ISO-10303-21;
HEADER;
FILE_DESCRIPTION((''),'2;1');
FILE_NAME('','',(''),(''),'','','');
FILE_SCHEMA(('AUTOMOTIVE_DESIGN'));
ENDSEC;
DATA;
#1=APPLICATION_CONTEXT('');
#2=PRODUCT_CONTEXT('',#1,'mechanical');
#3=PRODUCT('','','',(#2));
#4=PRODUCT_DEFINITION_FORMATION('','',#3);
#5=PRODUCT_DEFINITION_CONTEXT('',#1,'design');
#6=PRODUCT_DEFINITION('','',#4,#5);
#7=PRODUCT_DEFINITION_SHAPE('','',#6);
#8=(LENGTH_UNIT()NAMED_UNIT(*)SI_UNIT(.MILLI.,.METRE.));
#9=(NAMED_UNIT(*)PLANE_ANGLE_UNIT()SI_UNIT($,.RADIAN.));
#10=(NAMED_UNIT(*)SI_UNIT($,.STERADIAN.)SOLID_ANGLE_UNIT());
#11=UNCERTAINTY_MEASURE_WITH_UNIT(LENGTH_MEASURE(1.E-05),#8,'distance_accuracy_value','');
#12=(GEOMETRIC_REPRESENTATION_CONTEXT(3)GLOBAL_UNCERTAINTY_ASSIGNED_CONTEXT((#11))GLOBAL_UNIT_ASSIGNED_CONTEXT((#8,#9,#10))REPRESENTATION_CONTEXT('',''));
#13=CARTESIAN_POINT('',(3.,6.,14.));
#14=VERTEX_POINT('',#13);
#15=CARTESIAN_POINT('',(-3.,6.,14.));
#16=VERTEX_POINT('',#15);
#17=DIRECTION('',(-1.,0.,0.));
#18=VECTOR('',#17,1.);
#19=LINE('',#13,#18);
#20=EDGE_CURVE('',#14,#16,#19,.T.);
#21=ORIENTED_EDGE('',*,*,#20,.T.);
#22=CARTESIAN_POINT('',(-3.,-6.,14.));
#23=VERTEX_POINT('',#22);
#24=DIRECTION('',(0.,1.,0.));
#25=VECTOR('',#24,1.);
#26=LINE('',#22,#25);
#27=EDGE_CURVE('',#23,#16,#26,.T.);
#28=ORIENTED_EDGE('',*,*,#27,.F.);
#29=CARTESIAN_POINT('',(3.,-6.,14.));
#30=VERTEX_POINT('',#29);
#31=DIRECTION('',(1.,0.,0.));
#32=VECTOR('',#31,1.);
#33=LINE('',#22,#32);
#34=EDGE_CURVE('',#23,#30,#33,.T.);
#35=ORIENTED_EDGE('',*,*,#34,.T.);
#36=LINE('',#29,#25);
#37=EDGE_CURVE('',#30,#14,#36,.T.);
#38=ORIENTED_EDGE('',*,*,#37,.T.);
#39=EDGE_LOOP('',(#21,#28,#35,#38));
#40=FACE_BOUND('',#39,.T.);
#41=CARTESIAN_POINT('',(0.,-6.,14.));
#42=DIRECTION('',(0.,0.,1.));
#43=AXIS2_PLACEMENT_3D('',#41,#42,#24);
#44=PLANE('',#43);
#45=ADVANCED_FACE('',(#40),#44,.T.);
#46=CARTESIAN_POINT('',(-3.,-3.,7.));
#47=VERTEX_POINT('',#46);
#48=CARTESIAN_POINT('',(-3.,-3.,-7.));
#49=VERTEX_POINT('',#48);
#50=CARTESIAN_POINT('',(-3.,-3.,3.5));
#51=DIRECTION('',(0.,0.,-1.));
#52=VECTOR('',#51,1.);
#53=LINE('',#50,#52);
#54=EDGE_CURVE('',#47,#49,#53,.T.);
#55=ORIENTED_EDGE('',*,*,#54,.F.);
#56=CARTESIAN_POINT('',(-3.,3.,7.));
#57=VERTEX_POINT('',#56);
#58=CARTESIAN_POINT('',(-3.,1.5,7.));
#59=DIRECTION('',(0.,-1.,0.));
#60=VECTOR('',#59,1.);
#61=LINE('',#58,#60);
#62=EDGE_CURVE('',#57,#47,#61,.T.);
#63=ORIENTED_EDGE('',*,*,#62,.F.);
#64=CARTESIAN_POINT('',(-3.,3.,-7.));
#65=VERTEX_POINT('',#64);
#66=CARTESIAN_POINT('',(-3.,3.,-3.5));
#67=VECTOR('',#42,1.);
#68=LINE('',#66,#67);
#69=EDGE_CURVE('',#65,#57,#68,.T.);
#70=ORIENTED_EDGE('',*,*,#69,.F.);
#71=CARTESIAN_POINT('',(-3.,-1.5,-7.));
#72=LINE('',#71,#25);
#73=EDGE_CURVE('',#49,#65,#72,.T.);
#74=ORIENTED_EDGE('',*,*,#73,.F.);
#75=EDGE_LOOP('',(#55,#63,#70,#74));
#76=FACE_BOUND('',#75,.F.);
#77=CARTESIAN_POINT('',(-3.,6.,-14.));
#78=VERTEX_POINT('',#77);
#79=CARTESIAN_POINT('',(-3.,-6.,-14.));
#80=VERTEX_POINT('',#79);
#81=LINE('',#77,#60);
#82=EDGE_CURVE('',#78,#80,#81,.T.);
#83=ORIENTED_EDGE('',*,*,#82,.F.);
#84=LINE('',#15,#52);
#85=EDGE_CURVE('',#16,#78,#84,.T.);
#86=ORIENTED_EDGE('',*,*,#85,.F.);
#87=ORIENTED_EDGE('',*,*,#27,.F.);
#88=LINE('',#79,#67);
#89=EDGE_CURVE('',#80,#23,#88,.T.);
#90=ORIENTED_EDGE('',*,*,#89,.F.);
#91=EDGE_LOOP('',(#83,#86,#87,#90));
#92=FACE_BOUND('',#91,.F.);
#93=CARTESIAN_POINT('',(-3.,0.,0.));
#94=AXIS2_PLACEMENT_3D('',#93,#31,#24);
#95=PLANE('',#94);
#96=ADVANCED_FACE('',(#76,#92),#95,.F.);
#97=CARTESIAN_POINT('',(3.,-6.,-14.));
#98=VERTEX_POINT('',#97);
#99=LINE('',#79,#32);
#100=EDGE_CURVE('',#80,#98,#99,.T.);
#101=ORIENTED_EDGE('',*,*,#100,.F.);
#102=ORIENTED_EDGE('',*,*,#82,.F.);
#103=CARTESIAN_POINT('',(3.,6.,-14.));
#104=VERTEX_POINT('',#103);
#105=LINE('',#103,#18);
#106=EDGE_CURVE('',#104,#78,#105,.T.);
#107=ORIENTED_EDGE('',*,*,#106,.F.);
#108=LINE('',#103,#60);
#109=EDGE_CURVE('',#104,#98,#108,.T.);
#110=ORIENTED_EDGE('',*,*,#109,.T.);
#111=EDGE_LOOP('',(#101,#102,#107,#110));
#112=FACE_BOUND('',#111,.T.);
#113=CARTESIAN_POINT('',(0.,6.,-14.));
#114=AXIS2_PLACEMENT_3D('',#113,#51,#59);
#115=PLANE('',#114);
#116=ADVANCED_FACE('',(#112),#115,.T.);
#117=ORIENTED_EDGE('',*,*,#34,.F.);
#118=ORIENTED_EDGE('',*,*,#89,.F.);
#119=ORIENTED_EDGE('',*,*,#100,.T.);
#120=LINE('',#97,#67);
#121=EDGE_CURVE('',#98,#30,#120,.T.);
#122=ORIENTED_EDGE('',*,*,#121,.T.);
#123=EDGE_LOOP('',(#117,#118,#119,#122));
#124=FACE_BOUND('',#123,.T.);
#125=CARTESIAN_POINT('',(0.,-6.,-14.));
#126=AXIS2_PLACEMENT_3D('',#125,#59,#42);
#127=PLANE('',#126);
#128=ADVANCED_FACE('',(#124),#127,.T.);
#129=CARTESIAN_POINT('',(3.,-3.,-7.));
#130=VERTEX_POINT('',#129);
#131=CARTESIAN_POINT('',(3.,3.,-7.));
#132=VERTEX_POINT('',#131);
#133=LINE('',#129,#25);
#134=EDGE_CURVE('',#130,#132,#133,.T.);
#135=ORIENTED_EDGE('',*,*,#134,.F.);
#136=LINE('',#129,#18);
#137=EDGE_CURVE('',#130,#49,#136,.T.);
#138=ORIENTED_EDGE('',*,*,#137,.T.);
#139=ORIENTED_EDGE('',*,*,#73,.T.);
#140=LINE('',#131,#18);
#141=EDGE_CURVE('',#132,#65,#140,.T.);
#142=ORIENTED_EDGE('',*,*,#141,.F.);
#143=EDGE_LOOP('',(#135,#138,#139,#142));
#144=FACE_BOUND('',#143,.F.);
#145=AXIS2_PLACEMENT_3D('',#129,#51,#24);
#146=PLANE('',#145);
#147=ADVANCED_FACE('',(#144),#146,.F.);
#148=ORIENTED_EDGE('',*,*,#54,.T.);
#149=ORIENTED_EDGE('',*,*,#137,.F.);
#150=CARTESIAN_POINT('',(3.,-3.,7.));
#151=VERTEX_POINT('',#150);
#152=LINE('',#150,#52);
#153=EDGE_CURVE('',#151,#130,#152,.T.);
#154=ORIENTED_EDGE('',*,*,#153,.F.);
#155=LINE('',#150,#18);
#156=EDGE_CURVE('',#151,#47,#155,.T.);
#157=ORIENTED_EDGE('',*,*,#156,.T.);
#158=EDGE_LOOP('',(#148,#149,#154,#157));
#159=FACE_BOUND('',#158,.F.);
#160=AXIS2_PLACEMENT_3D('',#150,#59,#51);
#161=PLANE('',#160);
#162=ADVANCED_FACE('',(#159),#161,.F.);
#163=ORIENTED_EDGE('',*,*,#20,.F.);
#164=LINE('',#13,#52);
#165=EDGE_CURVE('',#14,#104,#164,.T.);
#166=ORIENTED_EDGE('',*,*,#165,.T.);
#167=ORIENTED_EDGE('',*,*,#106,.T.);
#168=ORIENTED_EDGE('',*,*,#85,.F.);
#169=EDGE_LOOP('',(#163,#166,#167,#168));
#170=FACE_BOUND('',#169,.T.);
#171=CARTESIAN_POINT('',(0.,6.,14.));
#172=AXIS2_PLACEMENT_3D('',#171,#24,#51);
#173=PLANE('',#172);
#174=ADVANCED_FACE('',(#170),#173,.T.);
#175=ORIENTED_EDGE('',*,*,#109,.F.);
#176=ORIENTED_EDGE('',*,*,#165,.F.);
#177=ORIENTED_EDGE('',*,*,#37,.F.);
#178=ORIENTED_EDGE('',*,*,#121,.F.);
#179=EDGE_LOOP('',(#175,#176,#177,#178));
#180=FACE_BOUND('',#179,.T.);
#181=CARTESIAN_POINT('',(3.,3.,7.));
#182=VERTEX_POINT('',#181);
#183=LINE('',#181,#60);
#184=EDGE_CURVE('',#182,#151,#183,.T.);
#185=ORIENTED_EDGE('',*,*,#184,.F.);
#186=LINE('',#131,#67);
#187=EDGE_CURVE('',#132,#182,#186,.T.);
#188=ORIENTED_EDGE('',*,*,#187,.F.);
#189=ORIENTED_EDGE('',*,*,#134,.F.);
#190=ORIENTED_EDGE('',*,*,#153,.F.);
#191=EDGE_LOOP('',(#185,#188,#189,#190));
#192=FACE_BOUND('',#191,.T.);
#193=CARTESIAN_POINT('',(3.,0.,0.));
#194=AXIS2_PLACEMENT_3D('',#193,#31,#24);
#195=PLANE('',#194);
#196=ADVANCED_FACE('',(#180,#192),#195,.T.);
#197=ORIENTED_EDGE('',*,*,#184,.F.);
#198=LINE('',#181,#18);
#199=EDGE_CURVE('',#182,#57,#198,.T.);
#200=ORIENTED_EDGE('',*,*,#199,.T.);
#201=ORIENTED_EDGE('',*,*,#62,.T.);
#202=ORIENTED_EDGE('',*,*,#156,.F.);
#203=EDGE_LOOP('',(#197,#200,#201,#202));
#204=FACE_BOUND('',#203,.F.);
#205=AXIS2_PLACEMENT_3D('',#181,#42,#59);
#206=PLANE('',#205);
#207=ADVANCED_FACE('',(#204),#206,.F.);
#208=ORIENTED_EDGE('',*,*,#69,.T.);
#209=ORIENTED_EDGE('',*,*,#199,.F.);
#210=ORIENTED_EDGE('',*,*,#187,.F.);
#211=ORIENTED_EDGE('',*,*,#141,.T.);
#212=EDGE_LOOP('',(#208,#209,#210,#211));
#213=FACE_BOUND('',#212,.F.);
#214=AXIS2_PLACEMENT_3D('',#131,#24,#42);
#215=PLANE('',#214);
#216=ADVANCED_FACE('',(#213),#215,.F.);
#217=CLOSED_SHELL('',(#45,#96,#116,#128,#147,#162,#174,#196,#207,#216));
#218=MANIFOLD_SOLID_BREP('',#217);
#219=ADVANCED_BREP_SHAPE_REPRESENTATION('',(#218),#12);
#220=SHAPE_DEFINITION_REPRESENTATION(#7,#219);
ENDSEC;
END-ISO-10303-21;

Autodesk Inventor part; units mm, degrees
ref_plane "YZ Plane" through (0, 0, 0) normal (1, 0, 0) x (0, 1, 0)
ref_plane "XZ Plane" through (0, 0, 0) normal (0, 1, 0) x (-1, 0, 0)
ref_plane "XY Plane" through (0, 0, 0) normal (0, 0, 1) x (1, 0, 0)
sketch "Esboço1" plane through (0, 0, 0) normal (1, 0, 0) x (0, 1, 0)
  line L0 (-6, 14) -> (6, 14)
  line L1 (6, 14) -> (6, -14)
  line L2 (6, -14) -> (-6, -14)
  line L3 (-6, -14) -> (-6, 14)
  line L4 (-6, 14) -> (6, -14) construction
  line L5 (6, 14) -> (-6, -14) construction
  point P0 (0, 0)
  dimension "d0" = 28
  dimension "d1" = 12
extrude "Extrusão1" add sketch "Esboço1" along normal mid plane 6
sketch "Esboço2" plane through (3, 0, 0) normal (1, 0, 0) x (0, 0, -1)
  line L0 (-7, -3) -> (7, -3)
  line L1 (7, -3) -> (7, 3)
  line L2 (7, 3) -> (-7, 3)
  line L3 (-7, 3) -> (-7, -3)
  line L4 (-7, -3) -> (7, 3) construction
  line L5 (7, -3) -> (-7, 3) construction
  point P0 (0, 0)
  dimension "d4" = 14
  dimension "d5" = 6
extrude "Extrusão2" cut sketch "Esboço2" against normal through all
properties part number "encaixe do suporte do motor"
